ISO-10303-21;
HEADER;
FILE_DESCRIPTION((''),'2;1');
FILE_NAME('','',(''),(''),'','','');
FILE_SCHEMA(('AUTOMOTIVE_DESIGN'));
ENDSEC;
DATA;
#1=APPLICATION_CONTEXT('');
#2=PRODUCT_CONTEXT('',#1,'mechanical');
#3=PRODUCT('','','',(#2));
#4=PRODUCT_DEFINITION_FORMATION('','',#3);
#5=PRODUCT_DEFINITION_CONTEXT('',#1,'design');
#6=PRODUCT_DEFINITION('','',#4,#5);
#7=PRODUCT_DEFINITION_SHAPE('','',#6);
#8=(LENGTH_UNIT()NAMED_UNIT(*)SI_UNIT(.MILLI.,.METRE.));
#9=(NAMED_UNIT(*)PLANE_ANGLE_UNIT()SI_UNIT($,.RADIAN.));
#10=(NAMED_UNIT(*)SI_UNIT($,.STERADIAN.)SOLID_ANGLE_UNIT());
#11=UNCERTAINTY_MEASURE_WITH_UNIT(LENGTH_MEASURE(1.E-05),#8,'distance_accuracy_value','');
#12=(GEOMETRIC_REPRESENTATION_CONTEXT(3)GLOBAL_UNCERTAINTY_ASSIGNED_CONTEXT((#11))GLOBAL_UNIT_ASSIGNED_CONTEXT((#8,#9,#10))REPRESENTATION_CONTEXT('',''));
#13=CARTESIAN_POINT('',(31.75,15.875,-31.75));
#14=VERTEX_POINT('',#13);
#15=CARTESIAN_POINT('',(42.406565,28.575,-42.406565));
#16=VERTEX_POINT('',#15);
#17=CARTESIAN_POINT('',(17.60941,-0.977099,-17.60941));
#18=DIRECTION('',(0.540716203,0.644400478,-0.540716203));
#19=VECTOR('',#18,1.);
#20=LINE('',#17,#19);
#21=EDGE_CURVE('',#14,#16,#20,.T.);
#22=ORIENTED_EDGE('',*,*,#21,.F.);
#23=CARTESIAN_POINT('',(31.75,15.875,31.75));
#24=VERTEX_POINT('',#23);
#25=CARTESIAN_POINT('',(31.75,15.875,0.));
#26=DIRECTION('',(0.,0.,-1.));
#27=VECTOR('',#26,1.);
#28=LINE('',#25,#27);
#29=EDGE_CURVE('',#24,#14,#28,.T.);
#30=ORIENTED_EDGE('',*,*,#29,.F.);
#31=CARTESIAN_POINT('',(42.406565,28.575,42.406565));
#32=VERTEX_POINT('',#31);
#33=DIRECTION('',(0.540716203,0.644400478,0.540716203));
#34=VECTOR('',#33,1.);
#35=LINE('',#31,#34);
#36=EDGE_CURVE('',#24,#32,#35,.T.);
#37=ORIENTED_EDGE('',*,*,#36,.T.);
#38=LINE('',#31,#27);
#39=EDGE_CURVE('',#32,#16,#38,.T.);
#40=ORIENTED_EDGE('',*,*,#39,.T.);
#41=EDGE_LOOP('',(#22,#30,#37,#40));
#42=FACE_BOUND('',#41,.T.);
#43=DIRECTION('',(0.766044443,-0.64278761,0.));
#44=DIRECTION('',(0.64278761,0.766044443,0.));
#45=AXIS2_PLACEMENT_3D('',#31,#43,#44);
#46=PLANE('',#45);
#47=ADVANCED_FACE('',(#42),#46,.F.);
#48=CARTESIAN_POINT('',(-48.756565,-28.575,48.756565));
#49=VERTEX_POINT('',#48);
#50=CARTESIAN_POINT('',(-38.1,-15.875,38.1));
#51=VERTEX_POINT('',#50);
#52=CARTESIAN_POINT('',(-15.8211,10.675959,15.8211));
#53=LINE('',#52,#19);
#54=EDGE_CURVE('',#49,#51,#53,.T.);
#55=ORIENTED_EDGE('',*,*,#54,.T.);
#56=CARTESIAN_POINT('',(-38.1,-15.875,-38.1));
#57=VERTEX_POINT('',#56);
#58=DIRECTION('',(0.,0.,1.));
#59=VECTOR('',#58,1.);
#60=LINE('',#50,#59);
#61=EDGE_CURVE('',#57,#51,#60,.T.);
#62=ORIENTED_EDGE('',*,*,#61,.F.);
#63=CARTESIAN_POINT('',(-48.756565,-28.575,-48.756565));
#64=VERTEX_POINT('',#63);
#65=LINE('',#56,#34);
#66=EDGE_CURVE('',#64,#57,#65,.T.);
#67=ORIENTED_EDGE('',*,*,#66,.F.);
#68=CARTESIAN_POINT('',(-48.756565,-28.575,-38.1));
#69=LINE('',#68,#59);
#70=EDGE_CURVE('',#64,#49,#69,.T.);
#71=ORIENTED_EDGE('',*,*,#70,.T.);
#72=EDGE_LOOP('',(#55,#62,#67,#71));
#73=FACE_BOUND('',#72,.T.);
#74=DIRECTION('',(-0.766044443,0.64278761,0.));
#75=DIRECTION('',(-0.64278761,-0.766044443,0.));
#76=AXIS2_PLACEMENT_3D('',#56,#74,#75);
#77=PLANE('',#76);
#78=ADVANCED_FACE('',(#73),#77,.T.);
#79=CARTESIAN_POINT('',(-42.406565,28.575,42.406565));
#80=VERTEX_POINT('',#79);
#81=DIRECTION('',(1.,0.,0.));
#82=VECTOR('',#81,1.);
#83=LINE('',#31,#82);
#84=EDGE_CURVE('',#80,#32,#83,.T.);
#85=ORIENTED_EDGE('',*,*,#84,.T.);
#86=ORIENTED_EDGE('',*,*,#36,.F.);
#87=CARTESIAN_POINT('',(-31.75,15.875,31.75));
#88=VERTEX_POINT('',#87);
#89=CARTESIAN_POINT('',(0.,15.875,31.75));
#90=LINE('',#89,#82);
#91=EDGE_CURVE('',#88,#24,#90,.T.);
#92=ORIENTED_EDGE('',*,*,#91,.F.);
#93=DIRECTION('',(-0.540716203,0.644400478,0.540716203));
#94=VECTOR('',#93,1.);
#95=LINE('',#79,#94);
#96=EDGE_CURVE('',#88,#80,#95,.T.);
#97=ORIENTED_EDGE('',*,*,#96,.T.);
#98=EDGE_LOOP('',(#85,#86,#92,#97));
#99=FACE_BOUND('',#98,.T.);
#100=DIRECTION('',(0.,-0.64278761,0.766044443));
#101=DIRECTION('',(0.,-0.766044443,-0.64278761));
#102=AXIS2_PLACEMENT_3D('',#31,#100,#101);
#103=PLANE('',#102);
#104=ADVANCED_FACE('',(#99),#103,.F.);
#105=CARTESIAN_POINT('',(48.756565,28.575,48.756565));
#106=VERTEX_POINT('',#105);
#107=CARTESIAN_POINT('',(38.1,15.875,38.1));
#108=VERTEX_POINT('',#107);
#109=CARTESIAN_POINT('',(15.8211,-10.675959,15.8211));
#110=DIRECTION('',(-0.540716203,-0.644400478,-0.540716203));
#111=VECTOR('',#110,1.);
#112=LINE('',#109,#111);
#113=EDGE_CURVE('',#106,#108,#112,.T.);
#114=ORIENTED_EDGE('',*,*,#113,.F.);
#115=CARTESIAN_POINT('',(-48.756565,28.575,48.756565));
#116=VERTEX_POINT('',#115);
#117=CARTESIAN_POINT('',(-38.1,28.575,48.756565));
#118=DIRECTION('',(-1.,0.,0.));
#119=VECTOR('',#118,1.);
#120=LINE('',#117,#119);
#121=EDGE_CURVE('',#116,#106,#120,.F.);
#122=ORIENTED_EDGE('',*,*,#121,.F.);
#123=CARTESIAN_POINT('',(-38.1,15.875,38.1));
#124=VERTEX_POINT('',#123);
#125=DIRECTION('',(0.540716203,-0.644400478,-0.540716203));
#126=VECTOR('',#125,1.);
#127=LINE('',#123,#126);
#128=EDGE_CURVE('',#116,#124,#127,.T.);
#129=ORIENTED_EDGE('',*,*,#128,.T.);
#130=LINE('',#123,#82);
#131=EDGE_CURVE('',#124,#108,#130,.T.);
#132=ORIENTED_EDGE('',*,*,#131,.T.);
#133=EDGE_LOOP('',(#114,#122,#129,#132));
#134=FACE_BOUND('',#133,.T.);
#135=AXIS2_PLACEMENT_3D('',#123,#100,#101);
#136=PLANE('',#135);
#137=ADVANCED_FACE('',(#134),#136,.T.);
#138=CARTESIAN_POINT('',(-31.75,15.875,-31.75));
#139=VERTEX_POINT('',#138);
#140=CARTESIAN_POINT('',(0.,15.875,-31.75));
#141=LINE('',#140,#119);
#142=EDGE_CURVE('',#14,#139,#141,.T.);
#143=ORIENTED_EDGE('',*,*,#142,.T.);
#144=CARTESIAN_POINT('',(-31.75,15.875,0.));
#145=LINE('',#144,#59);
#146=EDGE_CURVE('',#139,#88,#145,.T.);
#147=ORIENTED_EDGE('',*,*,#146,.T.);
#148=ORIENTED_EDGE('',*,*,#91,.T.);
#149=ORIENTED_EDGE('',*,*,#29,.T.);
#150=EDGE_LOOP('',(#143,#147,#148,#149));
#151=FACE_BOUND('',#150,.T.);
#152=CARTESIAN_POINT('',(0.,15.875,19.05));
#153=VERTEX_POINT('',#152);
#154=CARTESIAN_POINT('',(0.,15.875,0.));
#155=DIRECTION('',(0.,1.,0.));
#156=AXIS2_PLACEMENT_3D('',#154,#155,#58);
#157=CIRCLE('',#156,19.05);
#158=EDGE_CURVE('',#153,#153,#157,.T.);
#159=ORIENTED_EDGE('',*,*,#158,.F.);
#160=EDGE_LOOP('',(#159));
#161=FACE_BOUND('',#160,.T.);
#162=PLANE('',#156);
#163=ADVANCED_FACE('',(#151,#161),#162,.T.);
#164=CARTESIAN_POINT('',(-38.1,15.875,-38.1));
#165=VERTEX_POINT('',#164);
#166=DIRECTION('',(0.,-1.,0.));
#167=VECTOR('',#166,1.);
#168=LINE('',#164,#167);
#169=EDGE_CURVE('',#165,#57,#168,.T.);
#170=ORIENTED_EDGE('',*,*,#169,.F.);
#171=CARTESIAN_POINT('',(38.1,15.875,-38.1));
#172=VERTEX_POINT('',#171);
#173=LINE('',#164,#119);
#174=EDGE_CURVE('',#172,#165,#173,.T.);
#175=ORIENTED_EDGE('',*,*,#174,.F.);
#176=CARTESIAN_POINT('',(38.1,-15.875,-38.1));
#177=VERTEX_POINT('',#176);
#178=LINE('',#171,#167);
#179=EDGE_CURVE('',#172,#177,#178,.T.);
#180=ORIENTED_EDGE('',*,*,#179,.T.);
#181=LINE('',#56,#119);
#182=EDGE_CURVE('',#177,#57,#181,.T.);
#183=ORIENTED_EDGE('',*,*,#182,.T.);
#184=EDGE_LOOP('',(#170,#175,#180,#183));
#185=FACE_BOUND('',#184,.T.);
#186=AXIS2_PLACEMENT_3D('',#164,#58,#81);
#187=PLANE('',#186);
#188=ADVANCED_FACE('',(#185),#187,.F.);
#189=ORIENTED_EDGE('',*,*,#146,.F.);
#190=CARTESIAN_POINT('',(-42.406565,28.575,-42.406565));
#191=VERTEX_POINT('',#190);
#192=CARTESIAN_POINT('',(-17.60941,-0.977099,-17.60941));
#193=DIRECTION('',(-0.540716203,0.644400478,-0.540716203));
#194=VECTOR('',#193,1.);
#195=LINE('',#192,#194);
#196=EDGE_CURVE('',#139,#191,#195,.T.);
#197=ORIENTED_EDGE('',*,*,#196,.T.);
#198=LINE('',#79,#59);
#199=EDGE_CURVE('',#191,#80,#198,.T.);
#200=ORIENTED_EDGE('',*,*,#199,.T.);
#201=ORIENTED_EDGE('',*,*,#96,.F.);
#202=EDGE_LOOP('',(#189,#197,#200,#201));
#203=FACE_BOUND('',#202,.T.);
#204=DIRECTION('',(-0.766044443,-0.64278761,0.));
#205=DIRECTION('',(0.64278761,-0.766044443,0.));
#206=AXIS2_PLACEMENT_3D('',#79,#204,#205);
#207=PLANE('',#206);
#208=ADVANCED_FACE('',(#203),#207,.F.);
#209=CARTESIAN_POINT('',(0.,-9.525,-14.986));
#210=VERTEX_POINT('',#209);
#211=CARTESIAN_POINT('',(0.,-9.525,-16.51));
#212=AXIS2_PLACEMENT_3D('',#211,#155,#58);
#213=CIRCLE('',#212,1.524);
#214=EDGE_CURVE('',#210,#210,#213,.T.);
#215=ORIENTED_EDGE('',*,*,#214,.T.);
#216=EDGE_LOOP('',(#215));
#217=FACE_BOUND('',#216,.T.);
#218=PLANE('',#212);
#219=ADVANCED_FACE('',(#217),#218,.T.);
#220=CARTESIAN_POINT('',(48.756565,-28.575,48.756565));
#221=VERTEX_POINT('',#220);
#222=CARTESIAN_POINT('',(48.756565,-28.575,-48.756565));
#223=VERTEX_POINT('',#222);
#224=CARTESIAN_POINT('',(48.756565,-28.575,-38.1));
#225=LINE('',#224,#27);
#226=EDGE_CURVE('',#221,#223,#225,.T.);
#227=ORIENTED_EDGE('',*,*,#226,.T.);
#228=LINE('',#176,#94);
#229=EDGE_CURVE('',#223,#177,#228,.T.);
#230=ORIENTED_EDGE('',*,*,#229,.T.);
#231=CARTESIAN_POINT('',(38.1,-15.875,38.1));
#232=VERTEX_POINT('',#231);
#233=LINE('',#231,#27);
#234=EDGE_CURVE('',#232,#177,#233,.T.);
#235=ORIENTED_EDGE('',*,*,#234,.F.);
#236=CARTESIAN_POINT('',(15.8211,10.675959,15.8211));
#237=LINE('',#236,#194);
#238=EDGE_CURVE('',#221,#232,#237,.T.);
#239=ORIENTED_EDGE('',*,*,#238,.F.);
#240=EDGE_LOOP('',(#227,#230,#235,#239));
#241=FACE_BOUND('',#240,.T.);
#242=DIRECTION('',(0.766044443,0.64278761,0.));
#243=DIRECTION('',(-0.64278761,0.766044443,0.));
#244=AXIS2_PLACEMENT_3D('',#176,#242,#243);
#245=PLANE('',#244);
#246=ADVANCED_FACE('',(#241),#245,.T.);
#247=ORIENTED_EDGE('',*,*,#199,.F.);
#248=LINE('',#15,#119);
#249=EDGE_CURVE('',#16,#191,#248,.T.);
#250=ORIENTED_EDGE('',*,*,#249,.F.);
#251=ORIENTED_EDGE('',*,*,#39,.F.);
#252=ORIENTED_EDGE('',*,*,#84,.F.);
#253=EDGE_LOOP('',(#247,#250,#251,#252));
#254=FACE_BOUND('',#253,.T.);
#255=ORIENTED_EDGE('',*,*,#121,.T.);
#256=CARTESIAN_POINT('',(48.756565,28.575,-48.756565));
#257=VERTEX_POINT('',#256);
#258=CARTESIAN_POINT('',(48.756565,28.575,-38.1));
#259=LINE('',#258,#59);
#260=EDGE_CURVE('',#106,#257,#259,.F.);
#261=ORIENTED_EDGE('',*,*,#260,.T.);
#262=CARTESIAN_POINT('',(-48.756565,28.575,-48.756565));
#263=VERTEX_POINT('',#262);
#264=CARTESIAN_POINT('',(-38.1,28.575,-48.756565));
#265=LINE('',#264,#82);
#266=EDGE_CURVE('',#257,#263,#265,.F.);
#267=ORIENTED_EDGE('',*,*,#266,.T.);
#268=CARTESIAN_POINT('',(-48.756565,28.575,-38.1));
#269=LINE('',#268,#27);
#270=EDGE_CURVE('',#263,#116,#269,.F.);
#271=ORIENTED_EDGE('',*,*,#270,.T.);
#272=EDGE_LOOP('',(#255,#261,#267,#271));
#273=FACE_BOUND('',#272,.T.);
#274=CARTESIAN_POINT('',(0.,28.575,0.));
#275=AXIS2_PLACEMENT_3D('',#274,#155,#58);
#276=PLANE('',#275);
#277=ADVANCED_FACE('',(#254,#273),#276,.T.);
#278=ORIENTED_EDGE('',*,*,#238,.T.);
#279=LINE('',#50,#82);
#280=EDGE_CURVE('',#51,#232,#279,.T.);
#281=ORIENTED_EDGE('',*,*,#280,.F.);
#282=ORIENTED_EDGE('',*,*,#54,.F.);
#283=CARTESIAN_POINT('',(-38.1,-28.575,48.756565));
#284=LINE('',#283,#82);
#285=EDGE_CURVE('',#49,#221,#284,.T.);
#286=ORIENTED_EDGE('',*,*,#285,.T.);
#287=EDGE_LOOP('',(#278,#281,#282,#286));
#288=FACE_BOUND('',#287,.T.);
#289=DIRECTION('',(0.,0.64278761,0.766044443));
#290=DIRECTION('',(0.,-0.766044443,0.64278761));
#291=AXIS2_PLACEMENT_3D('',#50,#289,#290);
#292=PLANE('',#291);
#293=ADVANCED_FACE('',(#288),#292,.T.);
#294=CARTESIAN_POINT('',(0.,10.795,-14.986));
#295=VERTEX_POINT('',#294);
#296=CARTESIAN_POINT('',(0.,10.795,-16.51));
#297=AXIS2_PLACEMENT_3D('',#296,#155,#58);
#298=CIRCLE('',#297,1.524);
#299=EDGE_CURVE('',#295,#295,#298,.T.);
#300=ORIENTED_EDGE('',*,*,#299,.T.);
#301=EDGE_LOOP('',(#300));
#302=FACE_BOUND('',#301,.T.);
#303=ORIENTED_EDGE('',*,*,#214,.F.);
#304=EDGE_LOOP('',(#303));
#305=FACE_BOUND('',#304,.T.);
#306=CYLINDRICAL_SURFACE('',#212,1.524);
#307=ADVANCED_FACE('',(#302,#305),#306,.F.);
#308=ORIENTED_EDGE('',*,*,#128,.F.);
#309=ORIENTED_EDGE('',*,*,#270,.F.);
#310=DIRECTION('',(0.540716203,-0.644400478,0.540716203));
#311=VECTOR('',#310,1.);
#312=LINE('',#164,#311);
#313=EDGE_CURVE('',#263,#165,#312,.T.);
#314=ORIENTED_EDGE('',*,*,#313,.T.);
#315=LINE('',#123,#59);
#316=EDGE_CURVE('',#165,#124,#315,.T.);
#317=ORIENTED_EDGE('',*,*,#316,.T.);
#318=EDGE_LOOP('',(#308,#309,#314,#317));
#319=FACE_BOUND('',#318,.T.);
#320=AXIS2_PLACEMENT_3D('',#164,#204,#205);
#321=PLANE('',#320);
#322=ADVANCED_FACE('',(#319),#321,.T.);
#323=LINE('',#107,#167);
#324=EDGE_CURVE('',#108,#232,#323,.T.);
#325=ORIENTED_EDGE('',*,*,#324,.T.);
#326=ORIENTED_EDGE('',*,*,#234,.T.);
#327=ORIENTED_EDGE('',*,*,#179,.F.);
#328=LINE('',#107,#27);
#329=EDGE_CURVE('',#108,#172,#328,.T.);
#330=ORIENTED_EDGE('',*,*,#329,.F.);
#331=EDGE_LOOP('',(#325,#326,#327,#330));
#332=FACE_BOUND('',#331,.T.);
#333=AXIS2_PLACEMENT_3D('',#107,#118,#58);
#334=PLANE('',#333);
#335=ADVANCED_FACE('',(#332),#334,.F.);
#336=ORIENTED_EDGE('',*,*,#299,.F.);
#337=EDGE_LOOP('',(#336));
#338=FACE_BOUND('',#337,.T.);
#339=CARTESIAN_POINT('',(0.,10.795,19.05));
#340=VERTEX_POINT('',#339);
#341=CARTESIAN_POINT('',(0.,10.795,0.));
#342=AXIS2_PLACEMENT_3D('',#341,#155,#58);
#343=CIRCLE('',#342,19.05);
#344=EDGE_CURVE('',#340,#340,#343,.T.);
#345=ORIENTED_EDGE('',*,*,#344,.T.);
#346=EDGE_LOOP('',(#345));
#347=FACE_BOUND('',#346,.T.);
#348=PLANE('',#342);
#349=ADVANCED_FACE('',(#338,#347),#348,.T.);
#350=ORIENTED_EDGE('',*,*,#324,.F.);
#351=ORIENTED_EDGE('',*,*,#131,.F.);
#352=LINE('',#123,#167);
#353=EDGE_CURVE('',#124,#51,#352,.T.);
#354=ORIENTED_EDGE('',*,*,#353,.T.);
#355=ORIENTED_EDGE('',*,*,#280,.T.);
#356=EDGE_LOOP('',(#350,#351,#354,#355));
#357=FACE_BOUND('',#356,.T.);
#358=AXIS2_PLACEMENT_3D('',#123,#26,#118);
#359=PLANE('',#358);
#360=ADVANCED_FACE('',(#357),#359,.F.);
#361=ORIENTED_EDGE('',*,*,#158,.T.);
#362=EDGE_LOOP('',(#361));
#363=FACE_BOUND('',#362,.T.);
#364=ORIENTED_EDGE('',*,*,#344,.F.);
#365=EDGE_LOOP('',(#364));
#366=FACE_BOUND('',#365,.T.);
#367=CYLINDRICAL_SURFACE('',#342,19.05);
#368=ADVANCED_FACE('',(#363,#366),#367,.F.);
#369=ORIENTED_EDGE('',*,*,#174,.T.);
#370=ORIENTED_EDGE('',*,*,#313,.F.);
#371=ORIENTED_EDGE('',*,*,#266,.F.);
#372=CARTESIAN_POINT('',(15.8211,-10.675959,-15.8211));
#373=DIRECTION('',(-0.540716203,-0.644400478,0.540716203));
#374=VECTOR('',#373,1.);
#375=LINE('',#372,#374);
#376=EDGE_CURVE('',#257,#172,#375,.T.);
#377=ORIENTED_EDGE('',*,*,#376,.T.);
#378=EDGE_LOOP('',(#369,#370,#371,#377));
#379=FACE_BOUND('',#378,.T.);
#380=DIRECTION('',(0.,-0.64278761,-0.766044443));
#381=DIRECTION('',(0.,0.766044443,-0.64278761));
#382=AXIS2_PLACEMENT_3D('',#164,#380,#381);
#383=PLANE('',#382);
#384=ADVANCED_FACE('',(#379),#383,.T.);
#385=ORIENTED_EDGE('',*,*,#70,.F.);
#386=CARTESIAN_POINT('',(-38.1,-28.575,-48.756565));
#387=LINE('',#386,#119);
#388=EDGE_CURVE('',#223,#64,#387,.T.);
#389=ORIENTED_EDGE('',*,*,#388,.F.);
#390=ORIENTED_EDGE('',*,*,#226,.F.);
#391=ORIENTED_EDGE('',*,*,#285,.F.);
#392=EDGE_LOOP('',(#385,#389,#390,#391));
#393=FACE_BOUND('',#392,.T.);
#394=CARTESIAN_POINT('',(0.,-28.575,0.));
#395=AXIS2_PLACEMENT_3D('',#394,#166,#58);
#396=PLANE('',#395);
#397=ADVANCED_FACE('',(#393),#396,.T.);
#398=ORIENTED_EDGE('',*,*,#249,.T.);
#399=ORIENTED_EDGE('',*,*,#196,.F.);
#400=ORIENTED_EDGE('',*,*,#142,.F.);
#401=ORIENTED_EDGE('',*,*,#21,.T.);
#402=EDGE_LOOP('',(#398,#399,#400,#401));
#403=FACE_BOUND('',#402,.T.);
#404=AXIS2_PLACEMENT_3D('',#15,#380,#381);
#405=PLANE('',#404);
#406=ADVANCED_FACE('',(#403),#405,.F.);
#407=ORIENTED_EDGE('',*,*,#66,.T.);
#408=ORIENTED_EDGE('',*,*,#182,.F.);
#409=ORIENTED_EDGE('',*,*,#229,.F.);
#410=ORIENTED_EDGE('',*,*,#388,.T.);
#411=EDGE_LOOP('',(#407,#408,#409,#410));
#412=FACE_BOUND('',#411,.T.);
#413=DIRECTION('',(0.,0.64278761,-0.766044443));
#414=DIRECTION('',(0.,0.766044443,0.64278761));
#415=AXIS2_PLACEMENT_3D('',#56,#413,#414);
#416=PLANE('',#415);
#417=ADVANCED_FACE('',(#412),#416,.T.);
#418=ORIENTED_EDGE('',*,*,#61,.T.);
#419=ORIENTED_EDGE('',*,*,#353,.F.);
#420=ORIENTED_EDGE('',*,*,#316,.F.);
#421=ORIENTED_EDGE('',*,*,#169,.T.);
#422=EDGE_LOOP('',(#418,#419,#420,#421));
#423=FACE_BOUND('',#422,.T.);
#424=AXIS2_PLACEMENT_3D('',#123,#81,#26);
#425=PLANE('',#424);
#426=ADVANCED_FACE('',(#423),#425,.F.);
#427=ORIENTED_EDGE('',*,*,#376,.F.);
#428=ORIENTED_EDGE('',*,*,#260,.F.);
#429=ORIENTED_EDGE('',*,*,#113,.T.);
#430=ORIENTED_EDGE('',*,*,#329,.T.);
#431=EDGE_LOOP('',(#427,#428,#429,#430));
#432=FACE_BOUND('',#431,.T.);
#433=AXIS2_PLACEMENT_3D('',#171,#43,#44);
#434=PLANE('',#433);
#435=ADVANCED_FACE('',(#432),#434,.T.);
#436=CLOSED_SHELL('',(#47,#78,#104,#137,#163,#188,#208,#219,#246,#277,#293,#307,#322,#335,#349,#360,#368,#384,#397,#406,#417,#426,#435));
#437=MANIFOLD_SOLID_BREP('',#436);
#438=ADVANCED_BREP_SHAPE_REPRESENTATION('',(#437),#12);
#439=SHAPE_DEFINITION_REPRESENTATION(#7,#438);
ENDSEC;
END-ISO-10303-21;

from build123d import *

# Parameters (mm, degrees)
SKETCH1_W               = 76.2
SKETCH1_H               = 76.2
BOSS_EXTRUDE1_DEPTH     = 15.875
SKETCH2_W               = 76.2
SKETCH2_H               = 76.2
BOSS_EXTRUDE2_DEPTH     = 12.7
BOSS_EXTRUDE2_DRAFT     = -40
MIRROR1_COPY_1_SKETCH_W = 76.2
MIRROR1_COPY_1_SKETCH_H = 76.2
MIRROR1_COPY_1_DEPTH    = 12.7
MIRROR1_COPY_1_DRAFT    = -40
SKETCH4_W               = 84.813130632
SKETCH4_H               = 84.813130632
CUT_EXTRUDE2_DEPTH      = 12.7
CUT_EXTRUDE2_DRAFT      = -40
SKETCH5_R               = 19.05
CUT_EXTRUDE3_DEPTH      = 5.08
SKETCH6_R               = 1.524
CUT_EXTRUDE4_DEPTH      = 20.32


with BuildPart() as part:
    # Sketch1 → Boss-Extrude1 (new, symmetric)
    with BuildSketch(Plane(origin=(0, 0, 0), x_dir=(1, 0, 0), z_dir=(0, 1, 0))):
        Rectangle(SKETCH1_W, SKETCH1_H)
    extrude(amount=BOSS_EXTRUDE1_DEPTH, both=True)


with BuildPart() as boss_extrude2_tool:
    # Sketch2 → Boss-Extrude2 (with draft: the straight prism first)
    with BuildSketch(Plane(origin=(0, 15.875, 0), x_dir=(1, 0, 0), z_dir=(0, 1, 0))):
        Rectangle(SKETCH2_W, SKETCH2_H)
    extrude(amount=BOSS_EXTRUDE2_DEPTH)
    # Boss-Extrude2: the draft: its side faces are tilted about the plane it starts from
    boss_extrude2_sides = [boss_extrude2_tool.faces().sort_by_distance(p)[0] for p in [
        (-38.1, 22.225, 0),
        (0, 22.225, 38.1),
        (38.1, 22.225, 0),
        (0, 22.225, -38.1),
    ]]
    draft(boss_extrude2_sides, Plane(origin=(0, 15.875, 0), x_dir=(1, 0, 0), z_dir=(0, 1, 0)), BOSS_EXTRUDE2_DRAFT)


with BuildPart() as part_1:
    add(part.part)

    # Boss-Extrude2: add boss_extrude2_tool
    add(boss_extrude2_tool.part)


with BuildPart() as mirror1_copy_1_tool:
    # Mirror1 copy 1 sketch → Mirror1 copy 1 (with draft: the straight prism first)
    with BuildSketch(Plane.XZ.offset(15.875)):
        Rectangle(MIRROR1_COPY_1_SKETCH_W, MIRROR1_COPY_1_SKETCH_H)
    extrude(amount=MIRROR1_COPY_1_DEPTH)
    # Mirror1 copy 1: the draft: its side faces are tilted about the plane it starts from
    mirror1_copy_1_sides = [mirror1_copy_1_tool.faces().sort_by_distance(p)[0] for p in [
        (-38.1, -22.225, 0),
        (0, -22.225, 38.1),
        (38.1, -22.225, 0),
        (0, -22.225, -38.1),
    ]]
    draft(mirror1_copy_1_sides, Plane.XZ.offset(15.875), MIRROR1_COPY_1_DRAFT)


with BuildPart() as part_2:
    add(part_1.part)

    # Mirror1 copy 1: add mirror1_copy_1_tool
    add(mirror1_copy_1_tool.part)


with BuildPart() as cut_extrude2_tool:
    # Sketch4 → Cut-Extrude2 (with draft: the straight prism first)
    with BuildSketch(Plane(origin=(0, 28.575, 0), x_dir=(1, 0, 0), z_dir=(0, 1, 0))):
        Rectangle(SKETCH4_W, SKETCH4_H)
    extrude(amount=-CUT_EXTRUDE2_DEPTH)
    # Cut-Extrude2: the draft: its side faces are tilted about the plane it starts from
    cut_extrude2_sides = [cut_extrude2_tool.faces().sort_by_distance(p)[0] for p in [
        (42.406565316, 22.225, 0),
        (0, 22.225, -42.406565316),
        (-42.406565316, 22.225, 0),
        (0, 22.225, 42.406565316),
    ]]
    draft(cut_extrude2_sides, Plane(origin=(0, 28.575, 0), x_dir=(1, 0, 0), z_dir=(0, 1, 0)), CUT_EXTRUDE2_DRAFT)


with BuildPart() as part_3:
    add(part_2.part)

    # Cut-Extrude2: cut by cut_extrude2_tool
    add(cut_extrude2_tool.part, mode=Mode.SUBTRACT)

    # Sketch5 → Cut-Extrude3 (cut)
    with BuildSketch(Plane(origin=(0, 15.875, 0), x_dir=(1, 0, 0), z_dir=(0, 1, 0))):
        with Locations(Location((0, 0, 0), (0, 0, 270))):
            Circle(SKETCH5_R)
    extrude(amount=-CUT_EXTRUDE3_DEPTH, mode=Mode.SUBTRACT)

    # Sketch6 → Cut-Extrude4 (cut)
    with BuildSketch(Plane(origin=(0, 10.795, 0), x_dir=(1, 0, 0), z_dir=(0, 1, 0))):
        with Locations(Location((0, 16.51, 0), (0, 0, 270))):
            Circle(SKETCH6_R)
    extrude(amount=-CUT_EXTRUDE4_DEPTH, mode=Mode.SUBTRACT)


solid = part_3.part
